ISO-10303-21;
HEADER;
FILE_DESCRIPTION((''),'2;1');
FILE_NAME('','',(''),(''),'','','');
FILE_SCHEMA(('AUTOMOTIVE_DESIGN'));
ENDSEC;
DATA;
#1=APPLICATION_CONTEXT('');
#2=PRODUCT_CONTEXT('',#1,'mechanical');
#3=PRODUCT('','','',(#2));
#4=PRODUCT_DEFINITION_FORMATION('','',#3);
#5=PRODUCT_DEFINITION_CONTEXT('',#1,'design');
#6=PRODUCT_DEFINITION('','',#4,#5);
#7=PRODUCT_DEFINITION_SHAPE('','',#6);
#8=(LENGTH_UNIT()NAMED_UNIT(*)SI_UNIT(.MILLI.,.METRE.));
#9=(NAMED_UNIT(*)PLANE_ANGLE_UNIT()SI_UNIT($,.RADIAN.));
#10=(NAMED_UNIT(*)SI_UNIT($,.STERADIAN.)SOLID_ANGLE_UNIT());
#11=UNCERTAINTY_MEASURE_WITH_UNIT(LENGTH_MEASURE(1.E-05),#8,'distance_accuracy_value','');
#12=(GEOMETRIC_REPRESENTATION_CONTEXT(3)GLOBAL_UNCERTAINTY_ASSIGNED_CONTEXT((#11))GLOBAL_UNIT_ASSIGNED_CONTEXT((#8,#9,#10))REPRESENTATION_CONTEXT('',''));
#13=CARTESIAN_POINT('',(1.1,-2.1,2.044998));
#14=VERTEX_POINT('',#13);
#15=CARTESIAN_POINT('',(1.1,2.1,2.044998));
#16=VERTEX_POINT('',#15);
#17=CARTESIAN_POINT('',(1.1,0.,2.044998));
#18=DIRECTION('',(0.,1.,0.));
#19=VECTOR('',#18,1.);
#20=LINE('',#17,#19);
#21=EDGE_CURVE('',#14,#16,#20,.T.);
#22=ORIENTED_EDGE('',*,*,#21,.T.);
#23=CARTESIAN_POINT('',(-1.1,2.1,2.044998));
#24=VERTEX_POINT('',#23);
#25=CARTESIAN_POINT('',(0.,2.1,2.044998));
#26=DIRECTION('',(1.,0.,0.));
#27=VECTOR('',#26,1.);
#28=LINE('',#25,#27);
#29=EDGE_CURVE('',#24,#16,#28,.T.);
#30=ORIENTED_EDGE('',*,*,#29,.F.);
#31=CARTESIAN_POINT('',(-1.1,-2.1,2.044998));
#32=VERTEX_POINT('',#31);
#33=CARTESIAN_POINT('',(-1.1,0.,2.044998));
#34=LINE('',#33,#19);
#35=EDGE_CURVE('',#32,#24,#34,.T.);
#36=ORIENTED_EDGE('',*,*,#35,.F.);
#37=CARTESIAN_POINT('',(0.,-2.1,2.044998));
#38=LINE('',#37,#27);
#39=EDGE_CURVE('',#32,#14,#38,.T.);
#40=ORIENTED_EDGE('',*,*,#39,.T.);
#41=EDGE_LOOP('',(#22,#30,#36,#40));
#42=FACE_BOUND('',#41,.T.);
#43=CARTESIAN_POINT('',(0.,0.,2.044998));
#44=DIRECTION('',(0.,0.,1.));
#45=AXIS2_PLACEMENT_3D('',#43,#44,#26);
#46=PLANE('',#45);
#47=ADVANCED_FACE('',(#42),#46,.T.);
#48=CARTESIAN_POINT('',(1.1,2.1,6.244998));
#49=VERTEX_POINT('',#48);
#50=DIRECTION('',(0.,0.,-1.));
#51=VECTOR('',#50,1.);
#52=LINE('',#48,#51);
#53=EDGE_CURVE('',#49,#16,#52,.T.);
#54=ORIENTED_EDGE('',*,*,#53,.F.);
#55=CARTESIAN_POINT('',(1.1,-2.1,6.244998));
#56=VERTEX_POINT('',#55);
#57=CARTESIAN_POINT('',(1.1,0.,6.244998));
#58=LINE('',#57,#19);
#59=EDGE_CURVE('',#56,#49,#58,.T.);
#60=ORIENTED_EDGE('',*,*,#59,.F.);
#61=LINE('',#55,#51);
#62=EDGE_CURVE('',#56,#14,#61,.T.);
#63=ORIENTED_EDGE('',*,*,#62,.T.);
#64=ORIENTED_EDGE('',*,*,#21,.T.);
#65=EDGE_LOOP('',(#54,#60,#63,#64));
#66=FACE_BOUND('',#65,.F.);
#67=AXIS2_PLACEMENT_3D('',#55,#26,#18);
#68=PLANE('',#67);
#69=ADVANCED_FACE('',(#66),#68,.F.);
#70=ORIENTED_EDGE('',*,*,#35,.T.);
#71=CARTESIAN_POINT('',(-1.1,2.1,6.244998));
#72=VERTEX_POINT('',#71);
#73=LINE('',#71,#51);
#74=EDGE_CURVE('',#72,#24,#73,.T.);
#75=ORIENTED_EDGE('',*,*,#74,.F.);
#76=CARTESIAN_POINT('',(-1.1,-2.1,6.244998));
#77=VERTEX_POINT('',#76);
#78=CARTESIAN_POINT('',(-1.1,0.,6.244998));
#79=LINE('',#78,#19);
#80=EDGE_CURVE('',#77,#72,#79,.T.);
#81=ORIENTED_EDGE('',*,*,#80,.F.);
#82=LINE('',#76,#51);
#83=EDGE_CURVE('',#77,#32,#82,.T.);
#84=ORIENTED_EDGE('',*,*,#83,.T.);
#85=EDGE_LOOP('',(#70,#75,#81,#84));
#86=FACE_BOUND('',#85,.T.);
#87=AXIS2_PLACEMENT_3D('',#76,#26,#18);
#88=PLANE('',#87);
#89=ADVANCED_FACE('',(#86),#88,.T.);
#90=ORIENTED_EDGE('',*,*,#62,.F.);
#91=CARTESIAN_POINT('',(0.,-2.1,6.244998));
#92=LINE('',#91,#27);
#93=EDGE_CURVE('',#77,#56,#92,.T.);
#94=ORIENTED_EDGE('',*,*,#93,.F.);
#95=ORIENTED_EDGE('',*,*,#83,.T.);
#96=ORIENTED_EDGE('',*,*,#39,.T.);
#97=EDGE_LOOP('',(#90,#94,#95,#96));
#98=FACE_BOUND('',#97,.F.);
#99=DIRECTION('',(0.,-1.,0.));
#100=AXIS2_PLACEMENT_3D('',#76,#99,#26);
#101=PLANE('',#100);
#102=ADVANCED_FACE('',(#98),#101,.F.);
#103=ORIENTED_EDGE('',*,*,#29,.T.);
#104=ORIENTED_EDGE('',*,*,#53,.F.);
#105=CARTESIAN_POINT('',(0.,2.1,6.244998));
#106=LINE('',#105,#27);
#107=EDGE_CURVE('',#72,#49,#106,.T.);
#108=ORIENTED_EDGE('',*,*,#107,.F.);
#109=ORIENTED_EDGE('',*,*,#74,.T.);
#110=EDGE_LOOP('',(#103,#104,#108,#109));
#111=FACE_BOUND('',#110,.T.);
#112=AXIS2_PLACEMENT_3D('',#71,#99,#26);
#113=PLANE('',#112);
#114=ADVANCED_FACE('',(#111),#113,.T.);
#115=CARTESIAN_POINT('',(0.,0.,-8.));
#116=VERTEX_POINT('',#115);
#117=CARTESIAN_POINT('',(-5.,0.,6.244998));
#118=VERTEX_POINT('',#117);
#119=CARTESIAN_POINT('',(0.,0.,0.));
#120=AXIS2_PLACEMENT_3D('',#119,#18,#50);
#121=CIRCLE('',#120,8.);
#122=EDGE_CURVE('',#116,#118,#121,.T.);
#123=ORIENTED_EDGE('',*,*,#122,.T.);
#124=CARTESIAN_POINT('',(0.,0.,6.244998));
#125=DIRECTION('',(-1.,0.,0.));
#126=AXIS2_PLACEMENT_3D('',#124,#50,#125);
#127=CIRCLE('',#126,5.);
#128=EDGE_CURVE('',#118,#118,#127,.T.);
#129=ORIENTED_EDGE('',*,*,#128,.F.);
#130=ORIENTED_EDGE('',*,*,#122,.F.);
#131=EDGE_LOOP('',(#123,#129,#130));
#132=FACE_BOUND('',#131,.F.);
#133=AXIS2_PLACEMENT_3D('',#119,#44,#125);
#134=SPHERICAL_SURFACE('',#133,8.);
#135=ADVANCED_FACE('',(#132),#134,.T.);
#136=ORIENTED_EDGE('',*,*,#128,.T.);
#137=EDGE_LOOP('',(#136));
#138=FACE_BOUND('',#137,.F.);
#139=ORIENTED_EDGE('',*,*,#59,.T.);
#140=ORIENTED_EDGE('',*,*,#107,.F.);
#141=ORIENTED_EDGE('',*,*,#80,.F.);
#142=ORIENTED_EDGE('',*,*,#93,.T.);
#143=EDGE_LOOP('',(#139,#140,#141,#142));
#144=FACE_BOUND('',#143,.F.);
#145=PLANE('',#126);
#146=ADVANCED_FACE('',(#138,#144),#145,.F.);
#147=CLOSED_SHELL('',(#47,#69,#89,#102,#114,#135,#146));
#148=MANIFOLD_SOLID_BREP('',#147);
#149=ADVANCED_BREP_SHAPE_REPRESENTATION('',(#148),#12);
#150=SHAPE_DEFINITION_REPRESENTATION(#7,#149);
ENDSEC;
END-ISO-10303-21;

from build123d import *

# Parameters (mm, degrees)
SKETCH_2_W          = 2.2
SKETCH_2_H          = 4.2
CUT_EXTRUDE_1_DEPTH = 4.2


with BuildPart() as part:
    # 草图1 → 旋转2 (revolve)
    with BuildSketch(Plane(origin=(0, 0, 0), x_dir=(1, 0, 0), z_dir=(0, 1, 0))):
        with BuildLine():
            Line((-5, -6.244997998), (0, -6.244997998))
            Line((0, -6.244997998), (0, 8))
            ThreePointArc((0, 8), (-7.548509256, 2.649529771), (-5, -6.244997998))
        make_face()
    revolve(axis=Axis((0, 0, 6.244997998), (0, 0, -1)))

    # 草图2 → 切除-拉伸1 (cut)
    with BuildSketch(Plane.XY.offset(6.244997998)):
        Rectangle(SKETCH_2_W, SKETCH_2_H)
    extrude(amount=-CUT_EXTRUDE_1_DEPTH, mode=Mode.SUBTRACT)


solid = part.part
